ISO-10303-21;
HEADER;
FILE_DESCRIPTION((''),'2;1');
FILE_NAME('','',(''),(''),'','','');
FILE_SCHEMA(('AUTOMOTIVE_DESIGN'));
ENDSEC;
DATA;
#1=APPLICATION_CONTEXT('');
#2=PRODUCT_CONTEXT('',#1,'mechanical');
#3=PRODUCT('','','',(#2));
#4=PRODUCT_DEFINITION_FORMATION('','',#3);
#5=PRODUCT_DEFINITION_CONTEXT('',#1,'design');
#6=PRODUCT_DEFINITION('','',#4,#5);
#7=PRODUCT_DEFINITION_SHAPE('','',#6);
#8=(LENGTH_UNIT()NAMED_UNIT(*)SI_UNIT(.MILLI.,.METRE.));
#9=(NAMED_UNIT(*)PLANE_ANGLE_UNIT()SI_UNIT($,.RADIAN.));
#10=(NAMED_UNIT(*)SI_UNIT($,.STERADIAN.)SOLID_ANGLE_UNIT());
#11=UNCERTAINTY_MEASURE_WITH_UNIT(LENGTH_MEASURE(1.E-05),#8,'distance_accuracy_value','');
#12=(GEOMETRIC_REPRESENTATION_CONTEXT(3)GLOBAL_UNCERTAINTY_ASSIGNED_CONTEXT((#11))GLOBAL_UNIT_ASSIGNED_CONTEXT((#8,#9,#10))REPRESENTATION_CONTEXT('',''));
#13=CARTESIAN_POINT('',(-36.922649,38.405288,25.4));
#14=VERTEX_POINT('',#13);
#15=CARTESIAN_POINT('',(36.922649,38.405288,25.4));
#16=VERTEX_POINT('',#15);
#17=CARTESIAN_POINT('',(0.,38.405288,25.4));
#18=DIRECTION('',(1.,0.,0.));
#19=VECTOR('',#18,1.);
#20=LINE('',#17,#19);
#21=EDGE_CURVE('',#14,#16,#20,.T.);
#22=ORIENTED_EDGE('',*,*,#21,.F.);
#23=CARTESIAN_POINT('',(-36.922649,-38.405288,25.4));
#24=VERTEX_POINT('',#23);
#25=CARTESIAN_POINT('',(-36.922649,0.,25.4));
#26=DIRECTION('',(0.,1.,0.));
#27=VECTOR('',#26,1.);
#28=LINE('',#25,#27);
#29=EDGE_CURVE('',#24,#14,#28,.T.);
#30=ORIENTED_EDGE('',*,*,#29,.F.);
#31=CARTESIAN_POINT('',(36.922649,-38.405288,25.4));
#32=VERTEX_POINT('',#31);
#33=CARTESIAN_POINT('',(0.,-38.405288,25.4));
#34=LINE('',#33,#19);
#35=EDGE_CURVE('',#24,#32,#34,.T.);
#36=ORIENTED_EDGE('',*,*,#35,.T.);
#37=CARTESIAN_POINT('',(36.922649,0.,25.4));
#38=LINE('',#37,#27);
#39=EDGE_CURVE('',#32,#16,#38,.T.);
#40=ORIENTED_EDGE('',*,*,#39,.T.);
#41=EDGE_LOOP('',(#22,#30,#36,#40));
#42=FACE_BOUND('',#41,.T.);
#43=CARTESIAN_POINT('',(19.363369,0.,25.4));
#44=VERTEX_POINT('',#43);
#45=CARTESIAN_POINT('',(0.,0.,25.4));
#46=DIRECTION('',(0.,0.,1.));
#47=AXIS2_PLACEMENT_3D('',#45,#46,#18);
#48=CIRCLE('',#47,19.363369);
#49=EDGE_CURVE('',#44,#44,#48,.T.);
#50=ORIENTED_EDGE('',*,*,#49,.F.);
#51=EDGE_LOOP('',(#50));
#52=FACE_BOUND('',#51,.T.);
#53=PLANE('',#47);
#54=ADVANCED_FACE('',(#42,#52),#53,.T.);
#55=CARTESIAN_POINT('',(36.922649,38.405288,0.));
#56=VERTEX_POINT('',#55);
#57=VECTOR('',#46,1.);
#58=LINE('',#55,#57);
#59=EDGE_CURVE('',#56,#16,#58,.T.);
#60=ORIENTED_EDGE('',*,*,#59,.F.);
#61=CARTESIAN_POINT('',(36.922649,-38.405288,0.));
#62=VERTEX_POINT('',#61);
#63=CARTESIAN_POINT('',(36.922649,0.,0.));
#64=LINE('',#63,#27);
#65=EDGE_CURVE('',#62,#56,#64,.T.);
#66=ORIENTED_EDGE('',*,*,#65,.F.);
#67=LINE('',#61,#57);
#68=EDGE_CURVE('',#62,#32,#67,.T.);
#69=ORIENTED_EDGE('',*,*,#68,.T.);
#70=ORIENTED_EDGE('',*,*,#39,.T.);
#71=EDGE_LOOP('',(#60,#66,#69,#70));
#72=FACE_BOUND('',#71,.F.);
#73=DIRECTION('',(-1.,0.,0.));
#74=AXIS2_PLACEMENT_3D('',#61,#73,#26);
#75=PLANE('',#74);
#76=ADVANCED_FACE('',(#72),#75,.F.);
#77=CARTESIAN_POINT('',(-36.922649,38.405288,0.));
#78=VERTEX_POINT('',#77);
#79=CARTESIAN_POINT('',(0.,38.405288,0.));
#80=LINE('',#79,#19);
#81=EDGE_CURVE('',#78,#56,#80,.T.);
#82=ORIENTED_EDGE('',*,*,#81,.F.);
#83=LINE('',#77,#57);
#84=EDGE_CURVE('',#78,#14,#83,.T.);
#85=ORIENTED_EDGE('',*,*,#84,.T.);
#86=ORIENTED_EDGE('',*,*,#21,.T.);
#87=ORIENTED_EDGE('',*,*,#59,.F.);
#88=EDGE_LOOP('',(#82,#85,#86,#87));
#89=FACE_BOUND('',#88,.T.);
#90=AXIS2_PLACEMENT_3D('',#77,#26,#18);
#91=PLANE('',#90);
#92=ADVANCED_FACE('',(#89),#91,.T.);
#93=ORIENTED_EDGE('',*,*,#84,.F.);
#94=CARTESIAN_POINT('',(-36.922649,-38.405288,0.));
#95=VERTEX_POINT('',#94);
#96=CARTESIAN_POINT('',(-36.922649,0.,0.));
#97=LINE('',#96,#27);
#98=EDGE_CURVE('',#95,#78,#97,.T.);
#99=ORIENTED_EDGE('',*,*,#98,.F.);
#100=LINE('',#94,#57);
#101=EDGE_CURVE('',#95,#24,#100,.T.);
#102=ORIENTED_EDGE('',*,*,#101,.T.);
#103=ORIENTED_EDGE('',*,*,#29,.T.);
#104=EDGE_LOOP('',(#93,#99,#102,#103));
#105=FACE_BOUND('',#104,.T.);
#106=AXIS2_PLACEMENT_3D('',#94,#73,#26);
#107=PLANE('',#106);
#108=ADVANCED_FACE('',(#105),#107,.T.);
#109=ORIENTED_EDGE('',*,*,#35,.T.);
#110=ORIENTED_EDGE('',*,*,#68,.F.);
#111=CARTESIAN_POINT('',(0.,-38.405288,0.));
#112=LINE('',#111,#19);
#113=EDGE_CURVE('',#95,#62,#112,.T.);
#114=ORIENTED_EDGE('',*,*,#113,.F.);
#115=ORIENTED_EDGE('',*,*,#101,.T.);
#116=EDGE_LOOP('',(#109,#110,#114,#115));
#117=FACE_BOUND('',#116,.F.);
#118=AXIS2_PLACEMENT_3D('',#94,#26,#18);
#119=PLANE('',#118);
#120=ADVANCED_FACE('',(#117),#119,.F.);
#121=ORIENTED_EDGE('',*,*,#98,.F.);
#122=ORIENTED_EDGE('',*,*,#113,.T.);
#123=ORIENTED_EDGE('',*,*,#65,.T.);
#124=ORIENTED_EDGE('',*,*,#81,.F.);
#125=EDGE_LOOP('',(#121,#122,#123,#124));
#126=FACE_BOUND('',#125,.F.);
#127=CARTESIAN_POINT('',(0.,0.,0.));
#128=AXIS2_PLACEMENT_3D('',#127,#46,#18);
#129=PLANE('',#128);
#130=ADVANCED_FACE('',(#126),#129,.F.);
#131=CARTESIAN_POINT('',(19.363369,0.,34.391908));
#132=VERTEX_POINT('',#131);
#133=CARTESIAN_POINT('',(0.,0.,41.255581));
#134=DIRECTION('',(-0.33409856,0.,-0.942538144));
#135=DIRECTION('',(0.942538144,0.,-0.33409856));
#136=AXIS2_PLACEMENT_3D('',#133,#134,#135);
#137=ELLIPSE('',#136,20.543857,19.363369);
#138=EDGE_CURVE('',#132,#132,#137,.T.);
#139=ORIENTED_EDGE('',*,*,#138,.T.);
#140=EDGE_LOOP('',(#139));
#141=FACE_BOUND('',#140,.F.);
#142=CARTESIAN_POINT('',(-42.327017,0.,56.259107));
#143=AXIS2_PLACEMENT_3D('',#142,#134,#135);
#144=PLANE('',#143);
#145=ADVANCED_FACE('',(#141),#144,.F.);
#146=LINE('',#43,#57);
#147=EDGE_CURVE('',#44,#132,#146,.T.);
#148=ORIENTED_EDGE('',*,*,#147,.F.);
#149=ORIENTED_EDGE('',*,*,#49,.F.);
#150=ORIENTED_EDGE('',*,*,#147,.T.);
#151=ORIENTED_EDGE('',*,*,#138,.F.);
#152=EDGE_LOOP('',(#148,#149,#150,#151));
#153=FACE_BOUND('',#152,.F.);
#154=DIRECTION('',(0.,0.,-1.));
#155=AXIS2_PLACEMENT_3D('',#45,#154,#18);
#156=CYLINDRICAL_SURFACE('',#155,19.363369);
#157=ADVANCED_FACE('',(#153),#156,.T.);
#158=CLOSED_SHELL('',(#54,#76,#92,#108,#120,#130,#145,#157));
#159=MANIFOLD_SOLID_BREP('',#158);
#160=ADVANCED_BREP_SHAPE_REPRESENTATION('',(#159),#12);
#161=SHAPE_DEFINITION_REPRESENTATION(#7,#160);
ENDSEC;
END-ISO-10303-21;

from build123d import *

# Parameters (mm, degrees)
F0_W     = 73.845298
F0_H     = 76.810576
F1_DEPTH = 25.4
F2_R     = 19.363369
F3_DEPTH = 25.4
F5_DEPTH = 25.4


with BuildPart() as f1:
    # F0 (on Top) → F1 (new body)
    with BuildSketch(Plane.XY):
        Rectangle(F0_W, F0_H)
    extrude(amount=F1_DEPTH)

    # F2 (on face) → F3 (join)
    with BuildSketch(Plane.XY.offset(25.4)):
        Circle(F2_R)
    extrude(amount=F3_DEPTH)

    # F4 (on Front) → F5 (cut, symmetric)
    with BuildSketch(Plane.XZ):
        Polygon((20.831788, 68.200894), (-42.327017, 56.259107), (49.757458, 23.61821), align=None)
    extrude(amount=F5_DEPTH, both=True, mode=Mode.SUBTRACT)


solid = f1.part
